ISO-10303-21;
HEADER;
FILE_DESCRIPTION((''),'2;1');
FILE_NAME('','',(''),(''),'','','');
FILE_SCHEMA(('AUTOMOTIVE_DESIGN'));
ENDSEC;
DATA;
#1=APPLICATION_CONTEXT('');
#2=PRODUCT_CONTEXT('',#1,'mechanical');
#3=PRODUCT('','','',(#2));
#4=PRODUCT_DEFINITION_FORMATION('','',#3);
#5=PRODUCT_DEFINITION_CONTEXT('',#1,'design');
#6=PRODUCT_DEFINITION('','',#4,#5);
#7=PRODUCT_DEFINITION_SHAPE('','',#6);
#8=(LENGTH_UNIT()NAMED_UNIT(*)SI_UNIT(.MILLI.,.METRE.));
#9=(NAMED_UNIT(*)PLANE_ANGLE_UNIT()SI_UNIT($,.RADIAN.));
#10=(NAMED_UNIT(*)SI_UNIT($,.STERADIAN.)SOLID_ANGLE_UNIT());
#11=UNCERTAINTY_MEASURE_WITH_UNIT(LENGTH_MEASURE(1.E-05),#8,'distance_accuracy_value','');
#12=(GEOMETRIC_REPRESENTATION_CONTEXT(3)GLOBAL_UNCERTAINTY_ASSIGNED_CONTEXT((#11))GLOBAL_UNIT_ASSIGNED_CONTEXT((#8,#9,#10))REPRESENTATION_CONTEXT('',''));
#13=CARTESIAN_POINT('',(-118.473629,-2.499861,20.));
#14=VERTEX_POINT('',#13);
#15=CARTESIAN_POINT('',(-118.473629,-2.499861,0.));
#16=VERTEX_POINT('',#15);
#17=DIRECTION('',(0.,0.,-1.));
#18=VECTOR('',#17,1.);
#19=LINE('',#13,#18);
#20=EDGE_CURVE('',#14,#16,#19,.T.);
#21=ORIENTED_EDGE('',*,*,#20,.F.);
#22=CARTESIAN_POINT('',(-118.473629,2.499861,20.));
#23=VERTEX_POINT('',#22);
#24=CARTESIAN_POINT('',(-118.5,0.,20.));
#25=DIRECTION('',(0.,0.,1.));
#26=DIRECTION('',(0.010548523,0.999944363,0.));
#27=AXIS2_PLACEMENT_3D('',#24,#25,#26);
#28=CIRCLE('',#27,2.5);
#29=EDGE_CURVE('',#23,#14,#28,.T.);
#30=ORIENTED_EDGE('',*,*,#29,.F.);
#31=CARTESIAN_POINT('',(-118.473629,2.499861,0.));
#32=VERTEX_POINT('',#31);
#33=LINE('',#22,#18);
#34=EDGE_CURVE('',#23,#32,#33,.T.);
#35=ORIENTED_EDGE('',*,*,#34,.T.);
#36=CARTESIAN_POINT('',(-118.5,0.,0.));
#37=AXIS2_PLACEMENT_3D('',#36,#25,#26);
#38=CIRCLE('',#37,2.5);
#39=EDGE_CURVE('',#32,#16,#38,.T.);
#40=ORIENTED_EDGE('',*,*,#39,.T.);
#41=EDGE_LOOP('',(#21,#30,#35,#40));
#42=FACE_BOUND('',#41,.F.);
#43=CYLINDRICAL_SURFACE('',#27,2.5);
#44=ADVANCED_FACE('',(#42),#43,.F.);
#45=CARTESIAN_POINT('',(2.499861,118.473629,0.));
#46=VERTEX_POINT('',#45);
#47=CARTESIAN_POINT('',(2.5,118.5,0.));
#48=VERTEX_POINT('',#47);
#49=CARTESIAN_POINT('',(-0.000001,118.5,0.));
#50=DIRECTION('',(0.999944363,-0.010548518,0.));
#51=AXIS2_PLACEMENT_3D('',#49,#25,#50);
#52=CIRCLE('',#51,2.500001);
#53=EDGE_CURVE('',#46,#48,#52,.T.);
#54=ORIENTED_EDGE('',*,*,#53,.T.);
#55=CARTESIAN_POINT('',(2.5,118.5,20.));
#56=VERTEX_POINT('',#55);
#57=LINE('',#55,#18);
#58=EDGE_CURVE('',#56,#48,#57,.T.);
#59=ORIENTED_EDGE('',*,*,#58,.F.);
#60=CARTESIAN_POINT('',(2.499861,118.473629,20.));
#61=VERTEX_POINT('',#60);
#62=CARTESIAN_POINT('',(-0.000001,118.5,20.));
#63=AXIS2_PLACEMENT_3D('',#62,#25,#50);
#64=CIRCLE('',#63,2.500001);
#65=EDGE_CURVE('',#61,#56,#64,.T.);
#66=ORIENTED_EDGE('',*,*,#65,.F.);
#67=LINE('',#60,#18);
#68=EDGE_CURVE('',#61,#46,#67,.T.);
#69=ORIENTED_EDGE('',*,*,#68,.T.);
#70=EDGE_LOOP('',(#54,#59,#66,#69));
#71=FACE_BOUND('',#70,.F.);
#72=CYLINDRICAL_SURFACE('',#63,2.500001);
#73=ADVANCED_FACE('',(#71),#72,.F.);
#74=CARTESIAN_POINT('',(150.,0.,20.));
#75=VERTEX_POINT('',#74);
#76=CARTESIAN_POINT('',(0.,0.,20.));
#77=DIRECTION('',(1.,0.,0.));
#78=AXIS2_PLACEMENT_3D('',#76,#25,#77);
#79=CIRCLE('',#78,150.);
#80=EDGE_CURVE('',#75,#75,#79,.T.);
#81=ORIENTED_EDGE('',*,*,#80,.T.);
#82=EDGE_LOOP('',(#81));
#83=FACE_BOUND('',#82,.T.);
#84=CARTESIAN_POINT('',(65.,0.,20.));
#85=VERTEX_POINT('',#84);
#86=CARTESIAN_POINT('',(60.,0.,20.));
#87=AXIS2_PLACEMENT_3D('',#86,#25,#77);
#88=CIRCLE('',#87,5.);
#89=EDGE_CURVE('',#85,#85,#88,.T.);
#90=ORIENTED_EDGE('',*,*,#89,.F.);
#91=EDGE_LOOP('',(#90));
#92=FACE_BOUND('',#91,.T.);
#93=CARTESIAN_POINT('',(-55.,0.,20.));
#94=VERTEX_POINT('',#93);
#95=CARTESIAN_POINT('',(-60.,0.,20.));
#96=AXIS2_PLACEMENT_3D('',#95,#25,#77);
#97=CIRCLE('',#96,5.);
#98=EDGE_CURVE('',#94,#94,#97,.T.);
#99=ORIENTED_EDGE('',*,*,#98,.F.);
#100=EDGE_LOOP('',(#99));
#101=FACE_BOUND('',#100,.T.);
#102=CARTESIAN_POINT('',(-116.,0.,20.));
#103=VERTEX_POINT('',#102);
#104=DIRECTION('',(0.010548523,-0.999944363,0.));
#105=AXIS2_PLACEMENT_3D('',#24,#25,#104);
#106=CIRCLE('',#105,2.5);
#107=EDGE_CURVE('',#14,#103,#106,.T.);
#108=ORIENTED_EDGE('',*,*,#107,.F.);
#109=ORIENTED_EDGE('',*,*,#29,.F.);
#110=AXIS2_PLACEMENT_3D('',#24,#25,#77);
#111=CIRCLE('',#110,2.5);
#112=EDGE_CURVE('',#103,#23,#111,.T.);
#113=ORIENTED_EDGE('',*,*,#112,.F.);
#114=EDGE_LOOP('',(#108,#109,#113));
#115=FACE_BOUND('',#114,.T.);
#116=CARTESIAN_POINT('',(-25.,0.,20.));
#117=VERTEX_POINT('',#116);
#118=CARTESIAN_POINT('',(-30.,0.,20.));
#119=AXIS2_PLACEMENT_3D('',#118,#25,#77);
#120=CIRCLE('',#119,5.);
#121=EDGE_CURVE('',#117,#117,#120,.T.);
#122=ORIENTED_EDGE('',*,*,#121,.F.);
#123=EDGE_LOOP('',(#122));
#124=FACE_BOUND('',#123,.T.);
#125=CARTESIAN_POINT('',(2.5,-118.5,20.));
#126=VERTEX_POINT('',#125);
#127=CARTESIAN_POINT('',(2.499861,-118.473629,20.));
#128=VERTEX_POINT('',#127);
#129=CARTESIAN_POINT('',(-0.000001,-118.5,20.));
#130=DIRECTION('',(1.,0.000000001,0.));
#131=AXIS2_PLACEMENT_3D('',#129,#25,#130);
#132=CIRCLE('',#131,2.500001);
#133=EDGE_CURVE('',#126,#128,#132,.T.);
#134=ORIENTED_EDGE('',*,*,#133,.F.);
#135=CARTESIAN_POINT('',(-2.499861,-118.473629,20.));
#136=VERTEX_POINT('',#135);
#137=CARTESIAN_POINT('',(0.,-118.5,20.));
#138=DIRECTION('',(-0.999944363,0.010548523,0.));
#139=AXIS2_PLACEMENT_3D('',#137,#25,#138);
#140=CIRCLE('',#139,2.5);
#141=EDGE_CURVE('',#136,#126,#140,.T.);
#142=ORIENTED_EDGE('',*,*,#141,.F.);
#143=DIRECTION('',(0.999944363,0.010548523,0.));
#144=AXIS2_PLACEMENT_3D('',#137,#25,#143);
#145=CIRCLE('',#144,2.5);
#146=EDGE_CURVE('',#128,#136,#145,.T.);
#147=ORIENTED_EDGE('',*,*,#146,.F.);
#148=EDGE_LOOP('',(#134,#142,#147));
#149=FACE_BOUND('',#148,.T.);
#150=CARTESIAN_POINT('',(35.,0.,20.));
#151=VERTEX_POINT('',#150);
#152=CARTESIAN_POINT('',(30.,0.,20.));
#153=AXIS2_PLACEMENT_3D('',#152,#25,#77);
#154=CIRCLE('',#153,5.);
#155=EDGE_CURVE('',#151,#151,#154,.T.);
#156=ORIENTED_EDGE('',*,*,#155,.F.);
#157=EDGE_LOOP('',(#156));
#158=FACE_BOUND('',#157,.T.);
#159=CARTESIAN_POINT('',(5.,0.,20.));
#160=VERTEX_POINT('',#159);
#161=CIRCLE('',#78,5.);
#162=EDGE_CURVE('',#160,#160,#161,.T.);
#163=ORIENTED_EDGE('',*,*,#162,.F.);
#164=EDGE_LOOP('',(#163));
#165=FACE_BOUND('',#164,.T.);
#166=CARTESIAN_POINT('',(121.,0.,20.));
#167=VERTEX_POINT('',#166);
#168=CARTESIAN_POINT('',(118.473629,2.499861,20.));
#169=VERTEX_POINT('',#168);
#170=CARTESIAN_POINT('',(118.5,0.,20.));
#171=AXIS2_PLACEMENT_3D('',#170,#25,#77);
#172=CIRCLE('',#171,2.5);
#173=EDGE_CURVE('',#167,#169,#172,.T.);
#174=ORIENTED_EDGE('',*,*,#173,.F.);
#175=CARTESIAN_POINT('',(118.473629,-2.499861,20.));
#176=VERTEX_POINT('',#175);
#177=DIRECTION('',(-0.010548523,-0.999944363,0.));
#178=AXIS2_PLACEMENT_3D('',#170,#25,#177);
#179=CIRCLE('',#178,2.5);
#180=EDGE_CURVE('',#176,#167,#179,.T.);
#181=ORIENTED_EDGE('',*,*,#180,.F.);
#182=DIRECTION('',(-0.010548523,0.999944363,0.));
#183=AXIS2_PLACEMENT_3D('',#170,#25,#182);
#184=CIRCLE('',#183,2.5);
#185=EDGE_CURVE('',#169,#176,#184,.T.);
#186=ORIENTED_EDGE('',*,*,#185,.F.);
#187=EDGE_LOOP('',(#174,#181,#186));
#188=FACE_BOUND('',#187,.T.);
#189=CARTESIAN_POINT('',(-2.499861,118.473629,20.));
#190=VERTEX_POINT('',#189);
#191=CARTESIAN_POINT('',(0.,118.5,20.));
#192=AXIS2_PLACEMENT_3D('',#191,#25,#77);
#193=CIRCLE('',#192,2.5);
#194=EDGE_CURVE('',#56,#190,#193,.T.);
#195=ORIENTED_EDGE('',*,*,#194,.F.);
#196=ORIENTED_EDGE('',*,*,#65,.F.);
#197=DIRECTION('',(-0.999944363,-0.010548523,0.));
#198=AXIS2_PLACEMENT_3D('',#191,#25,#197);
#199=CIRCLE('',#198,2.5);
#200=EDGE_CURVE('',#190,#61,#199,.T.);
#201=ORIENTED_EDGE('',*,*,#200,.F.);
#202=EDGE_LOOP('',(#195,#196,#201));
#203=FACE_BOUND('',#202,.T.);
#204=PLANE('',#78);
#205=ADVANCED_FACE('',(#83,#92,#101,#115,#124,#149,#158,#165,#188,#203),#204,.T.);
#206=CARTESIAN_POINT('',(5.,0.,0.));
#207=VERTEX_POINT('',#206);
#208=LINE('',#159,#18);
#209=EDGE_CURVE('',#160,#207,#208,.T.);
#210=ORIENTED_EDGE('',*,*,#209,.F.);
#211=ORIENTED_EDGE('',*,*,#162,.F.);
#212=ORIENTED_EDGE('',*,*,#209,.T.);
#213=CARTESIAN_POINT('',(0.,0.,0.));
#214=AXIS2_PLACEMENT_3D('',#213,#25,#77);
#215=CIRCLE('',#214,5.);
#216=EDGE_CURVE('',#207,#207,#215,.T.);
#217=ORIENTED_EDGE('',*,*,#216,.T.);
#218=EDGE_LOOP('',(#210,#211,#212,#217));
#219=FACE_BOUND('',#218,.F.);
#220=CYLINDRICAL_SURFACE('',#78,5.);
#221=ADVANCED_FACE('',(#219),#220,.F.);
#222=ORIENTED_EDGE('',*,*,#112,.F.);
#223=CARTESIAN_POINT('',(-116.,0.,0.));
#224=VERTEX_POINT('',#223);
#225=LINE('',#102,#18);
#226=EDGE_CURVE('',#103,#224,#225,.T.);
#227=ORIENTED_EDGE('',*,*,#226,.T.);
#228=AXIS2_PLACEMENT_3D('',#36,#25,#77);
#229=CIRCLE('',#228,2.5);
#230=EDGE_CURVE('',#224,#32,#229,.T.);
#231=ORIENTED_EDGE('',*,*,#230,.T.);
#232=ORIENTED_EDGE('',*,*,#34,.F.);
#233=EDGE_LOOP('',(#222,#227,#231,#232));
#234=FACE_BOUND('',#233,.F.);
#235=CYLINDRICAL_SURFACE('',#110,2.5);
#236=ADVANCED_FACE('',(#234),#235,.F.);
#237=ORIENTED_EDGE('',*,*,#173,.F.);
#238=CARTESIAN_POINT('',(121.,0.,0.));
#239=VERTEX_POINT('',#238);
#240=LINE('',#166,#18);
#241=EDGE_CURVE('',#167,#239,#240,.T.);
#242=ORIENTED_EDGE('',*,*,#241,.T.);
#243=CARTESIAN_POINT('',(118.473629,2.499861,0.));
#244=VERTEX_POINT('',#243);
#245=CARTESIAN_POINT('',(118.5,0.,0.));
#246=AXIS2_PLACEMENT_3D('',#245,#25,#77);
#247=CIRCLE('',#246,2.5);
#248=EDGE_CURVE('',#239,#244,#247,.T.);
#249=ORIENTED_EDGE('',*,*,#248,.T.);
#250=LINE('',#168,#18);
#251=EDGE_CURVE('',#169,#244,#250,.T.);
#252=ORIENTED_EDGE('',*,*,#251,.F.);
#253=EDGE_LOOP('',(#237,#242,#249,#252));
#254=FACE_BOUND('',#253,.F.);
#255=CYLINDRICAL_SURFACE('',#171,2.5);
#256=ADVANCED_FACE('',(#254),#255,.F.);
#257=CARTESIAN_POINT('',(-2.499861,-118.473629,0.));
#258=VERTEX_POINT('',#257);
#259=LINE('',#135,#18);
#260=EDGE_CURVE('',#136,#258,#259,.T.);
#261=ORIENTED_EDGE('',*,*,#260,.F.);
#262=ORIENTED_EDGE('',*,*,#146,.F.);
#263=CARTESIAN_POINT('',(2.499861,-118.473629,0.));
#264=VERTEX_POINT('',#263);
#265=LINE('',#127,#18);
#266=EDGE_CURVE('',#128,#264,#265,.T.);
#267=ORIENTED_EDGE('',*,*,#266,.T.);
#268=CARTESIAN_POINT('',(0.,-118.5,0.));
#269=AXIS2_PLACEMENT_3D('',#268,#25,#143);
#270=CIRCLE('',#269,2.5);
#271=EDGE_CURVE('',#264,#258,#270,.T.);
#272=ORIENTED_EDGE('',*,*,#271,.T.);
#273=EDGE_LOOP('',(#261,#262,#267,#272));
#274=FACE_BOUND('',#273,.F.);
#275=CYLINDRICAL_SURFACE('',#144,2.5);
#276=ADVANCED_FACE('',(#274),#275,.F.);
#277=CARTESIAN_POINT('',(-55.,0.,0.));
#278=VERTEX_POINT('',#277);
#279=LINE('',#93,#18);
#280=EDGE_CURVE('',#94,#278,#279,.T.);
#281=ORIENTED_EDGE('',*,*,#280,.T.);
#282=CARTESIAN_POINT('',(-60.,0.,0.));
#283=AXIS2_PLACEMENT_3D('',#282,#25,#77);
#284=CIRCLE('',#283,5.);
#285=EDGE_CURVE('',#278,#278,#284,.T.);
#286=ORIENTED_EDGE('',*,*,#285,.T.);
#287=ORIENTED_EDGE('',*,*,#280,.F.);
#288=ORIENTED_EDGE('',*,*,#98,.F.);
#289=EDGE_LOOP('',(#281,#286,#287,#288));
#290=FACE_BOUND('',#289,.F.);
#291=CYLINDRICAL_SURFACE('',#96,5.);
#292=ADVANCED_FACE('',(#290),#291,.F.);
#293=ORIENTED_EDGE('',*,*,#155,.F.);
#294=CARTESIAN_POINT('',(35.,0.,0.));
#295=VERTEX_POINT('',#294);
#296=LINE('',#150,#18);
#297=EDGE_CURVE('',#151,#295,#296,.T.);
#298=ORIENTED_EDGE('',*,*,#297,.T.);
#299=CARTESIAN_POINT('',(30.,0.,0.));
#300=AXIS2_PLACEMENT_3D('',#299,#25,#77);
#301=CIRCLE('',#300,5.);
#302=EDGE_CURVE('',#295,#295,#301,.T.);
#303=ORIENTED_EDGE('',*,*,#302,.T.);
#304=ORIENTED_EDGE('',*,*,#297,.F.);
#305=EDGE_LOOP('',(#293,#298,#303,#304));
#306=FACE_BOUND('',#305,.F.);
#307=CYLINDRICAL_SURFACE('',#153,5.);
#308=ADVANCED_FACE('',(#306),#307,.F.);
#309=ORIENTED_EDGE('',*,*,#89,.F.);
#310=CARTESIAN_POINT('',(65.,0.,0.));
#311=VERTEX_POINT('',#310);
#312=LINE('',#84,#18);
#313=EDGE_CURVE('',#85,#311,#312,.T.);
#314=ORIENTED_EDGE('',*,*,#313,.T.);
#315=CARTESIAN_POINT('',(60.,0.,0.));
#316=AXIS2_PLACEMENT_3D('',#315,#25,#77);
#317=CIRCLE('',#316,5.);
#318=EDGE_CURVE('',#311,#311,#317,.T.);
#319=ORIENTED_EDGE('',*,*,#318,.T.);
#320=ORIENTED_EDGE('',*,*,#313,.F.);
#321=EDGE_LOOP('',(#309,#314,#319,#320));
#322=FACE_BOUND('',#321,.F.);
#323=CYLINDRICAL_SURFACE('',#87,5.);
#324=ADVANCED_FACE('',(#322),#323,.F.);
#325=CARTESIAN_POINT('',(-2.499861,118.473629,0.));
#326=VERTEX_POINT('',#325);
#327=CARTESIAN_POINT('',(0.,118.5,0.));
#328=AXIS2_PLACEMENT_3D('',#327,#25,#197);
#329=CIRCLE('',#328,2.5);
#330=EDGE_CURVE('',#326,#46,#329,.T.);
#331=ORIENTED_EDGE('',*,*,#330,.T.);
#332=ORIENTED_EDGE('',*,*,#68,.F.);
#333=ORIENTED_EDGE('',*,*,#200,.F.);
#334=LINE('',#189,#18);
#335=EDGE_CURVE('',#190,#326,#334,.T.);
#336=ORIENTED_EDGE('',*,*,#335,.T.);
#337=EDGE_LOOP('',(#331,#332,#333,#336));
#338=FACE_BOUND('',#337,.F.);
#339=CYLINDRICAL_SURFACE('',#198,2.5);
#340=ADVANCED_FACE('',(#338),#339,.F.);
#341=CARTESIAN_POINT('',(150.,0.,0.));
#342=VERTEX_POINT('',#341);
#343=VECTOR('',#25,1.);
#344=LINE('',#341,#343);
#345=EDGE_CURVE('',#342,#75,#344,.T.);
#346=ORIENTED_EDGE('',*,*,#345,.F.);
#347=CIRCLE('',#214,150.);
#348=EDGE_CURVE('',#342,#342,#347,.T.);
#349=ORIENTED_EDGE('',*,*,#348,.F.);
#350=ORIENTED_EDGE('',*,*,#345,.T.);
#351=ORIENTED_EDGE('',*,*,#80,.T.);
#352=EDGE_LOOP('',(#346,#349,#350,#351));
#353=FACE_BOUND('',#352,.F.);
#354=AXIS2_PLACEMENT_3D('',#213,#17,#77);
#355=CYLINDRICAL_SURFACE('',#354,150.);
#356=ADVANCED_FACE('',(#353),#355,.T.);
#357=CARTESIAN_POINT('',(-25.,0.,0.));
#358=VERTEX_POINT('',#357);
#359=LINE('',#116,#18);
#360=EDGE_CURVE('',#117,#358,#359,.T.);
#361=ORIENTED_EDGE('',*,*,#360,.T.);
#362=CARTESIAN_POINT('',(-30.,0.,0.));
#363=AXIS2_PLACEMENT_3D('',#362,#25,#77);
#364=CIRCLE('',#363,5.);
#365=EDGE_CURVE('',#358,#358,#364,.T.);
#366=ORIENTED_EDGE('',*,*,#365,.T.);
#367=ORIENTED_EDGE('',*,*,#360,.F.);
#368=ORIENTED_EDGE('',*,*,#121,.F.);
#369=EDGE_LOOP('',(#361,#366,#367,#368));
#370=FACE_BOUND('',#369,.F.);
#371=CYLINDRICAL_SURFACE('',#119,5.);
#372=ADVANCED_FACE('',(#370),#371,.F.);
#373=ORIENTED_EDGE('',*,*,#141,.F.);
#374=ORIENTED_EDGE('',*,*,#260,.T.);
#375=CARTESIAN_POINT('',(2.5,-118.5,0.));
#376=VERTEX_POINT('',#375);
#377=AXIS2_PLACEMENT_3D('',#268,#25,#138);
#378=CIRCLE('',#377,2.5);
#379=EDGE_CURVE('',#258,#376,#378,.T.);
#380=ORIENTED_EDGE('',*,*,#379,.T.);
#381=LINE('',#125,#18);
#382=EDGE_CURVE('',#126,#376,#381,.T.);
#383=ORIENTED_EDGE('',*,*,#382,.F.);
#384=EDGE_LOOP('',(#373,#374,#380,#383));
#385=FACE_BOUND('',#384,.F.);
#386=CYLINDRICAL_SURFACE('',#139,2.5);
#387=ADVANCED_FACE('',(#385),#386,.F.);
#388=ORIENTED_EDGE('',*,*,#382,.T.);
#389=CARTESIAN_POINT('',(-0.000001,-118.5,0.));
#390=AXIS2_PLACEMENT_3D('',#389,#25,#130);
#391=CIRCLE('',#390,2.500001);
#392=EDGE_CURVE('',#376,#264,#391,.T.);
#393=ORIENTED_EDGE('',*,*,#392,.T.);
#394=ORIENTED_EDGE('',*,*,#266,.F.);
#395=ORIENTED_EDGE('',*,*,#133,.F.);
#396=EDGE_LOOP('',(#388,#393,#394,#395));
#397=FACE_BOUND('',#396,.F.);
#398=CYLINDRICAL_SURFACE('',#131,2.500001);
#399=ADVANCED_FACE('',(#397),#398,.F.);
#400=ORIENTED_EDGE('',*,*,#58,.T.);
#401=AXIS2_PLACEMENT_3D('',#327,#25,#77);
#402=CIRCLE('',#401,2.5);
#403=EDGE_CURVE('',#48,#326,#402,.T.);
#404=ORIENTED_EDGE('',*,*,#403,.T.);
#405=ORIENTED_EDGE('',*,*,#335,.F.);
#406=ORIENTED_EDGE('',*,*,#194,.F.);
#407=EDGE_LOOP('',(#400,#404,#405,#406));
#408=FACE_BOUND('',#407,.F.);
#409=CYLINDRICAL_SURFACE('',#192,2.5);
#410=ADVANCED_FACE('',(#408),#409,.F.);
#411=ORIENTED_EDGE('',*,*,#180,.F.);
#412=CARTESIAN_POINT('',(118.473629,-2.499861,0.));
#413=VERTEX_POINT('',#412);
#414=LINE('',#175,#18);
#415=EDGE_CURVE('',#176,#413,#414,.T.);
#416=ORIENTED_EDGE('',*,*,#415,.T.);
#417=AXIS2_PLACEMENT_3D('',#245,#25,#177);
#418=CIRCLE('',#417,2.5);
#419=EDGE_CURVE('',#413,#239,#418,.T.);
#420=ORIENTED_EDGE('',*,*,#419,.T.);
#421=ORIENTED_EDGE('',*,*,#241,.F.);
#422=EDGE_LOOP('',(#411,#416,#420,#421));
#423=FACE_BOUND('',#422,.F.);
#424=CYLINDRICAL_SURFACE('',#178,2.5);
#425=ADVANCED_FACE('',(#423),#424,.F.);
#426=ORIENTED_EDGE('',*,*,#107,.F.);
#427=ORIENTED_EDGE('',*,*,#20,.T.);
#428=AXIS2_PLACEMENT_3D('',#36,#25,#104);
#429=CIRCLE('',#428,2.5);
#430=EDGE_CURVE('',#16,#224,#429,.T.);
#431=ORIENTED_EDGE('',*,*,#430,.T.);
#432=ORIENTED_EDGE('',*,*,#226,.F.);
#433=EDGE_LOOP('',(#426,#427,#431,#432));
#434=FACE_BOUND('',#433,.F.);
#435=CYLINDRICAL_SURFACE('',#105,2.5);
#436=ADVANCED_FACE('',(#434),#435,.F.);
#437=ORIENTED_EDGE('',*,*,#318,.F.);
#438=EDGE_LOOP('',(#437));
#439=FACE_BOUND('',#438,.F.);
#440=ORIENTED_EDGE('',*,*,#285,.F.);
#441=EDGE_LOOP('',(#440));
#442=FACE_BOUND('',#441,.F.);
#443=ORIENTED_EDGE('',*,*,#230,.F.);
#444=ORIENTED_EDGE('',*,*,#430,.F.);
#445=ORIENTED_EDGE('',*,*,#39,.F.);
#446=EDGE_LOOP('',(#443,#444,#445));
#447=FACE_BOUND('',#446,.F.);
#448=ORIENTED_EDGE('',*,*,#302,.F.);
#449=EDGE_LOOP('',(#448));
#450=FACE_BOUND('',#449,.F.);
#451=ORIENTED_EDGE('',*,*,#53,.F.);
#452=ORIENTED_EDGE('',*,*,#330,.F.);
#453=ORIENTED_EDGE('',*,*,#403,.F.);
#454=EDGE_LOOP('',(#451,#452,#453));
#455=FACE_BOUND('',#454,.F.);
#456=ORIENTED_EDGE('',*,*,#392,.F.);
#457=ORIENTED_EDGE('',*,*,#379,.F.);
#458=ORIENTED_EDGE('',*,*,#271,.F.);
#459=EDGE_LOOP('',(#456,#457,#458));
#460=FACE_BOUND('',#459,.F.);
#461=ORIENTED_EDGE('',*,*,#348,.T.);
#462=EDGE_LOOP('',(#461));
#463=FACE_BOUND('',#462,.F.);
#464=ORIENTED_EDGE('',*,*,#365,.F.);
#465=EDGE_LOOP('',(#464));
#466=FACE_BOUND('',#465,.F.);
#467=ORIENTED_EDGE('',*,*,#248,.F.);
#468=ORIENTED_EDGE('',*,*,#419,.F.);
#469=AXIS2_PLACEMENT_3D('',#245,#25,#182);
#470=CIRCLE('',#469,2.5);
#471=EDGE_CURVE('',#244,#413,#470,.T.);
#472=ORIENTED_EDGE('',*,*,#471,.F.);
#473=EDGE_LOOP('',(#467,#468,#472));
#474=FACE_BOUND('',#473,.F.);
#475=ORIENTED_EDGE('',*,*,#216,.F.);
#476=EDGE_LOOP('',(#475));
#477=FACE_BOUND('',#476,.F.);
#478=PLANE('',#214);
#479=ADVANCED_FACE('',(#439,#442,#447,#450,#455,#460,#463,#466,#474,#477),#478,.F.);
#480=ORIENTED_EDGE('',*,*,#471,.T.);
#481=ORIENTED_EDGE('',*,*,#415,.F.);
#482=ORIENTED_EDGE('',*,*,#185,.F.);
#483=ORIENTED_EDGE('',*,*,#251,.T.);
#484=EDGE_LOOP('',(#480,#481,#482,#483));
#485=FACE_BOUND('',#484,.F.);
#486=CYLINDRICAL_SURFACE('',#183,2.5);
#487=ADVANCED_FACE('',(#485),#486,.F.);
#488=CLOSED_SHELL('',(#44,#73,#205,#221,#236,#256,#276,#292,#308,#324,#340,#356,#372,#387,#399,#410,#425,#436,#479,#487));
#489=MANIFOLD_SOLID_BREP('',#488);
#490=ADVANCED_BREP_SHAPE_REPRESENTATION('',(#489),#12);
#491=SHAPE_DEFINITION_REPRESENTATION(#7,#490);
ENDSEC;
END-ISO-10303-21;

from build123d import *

# Parameters (mm, degrees)
F0_R     = 150
F1_DEPTH = 20
F3_DEPTH = 20.001
F4_R     = 5
F5_DEPTH = 20.001


with BuildPart() as f1:
    # F0 (on Top) → F1 (new body)
    with BuildSketch(Plane.XY):
        Circle(F0_R)
    extrude(amount=F1_DEPTH)

    # F2 (on face) → F3 (cut, through all)
    with BuildSketch(Plane.XY.offset(20)):
        with BuildLine():
            ThreePointArc((-2.499860907, 118.473628692), (0, 118.5), (2.499860907, 118.473628692))
            ThreePointArc((2.499860907, 118.473628692), (2.4999652265, 118.4868141626), (2.5, 118.5))
            ThreePointArc((2.5, 118.5), (-0.0131858374, 120.9999652265), (-2.499860907, 118.473628692))
        make_face()
        with BuildLine():
            ThreePointArc((-2.499860907, 118.473628692), (0, 116), (2.499860907, 118.473628692))
            ThreePointArc((2.499860907, 118.473628692), (0, 118.5), (-2.499860907, 118.473628692))
        make_face()
        with BuildLine():
            ThreePointArc((-118.473628692, -2.499860907), (-118.5, 0), (-118.473628692, 2.499860907))
            ThreePointArc((-118.473628692, 2.499860907), (-121, 0), (-118.473628692, -2.499860907))
        make_face()
        with BuildLine():
            ThreePointArc((-116, 0), (-116.7229338406, 1.7584185693), (-118.473628692, 2.499860907))
            ThreePointArc((-118.473628692, 2.499860907), (-118.5, 0), (-118.473628692, -2.499860907))
            ThreePointArc((-118.473628692, -2.499860907), (-116.7229338406, -1.7584185693), (-116, 0))
        make_face()
        with BuildLine():
            ThreePointArc((118.473628692, -2.499860907), (118.4934069896, -1.25), (118.5, 0))
            ThreePointArc((118.5, 0), (118.4934069896, 1.25), (118.473628692, 2.499860907))
            ThreePointArc((118.473628692, 2.499860907), (116, 0), (118.473628692, -2.499860907))
        make_face()
        with BuildLine():
            ThreePointArc((118.473628692, 2.499860907), (118.4934069896, 1.25), (118.5, 0))
            ThreePointArc((118.5, 0), (118.4934069896, -1.25), (118.473628692, -2.499860907))
            ThreePointArc((118.473628692, -2.499860907), (120.2584185693, -1.7770661594), (121, 0))
            ThreePointArc((121, 0), (120.2584185693, 1.7770661594), (118.473628692, 2.499860907))
        make_face()
        with BuildLine():
            ThreePointArc((-2.499860907, -118.473628692), (0, -118.5), (2.499860907, -118.473628692))
            ThreePointArc((2.499860907, -118.473628692), (0, -116), (-2.499860907, -118.473628692))
        make_face()
        with BuildLine():
            ThreePointArc((2.5, -118.5), (2.4999652265, -118.4868141626), (2.499860907, -118.473628692))
            ThreePointArc((2.499860907, -118.473628692), (0, -118.5), (-2.499860907, -118.473628692))
            ThreePointArc((-2.499860907, -118.473628692), (-0.0131858374, -120.9999652265), (2.5, -118.5))
        make_face()
    extrude(amount=-F3_DEPTH, mode=Mode.SUBTRACT)

    # F4 (on face) → F5 (cut, through all)
    with BuildSketch(Plane.XY.offset(20)):
        Circle(F4_R)
        with Locations((30, 0)):
            Circle(F4_R)
        with Locations((60, 0)):
            Circle(F4_R)
        with Locations((-30, 0)):
            Circle(F4_R)
        with Locations((-60, 0)):
            Circle(F4_R)
    extrude(amount=-F5_DEPTH, mode=Mode.SUBTRACT)


solid = f1.part
